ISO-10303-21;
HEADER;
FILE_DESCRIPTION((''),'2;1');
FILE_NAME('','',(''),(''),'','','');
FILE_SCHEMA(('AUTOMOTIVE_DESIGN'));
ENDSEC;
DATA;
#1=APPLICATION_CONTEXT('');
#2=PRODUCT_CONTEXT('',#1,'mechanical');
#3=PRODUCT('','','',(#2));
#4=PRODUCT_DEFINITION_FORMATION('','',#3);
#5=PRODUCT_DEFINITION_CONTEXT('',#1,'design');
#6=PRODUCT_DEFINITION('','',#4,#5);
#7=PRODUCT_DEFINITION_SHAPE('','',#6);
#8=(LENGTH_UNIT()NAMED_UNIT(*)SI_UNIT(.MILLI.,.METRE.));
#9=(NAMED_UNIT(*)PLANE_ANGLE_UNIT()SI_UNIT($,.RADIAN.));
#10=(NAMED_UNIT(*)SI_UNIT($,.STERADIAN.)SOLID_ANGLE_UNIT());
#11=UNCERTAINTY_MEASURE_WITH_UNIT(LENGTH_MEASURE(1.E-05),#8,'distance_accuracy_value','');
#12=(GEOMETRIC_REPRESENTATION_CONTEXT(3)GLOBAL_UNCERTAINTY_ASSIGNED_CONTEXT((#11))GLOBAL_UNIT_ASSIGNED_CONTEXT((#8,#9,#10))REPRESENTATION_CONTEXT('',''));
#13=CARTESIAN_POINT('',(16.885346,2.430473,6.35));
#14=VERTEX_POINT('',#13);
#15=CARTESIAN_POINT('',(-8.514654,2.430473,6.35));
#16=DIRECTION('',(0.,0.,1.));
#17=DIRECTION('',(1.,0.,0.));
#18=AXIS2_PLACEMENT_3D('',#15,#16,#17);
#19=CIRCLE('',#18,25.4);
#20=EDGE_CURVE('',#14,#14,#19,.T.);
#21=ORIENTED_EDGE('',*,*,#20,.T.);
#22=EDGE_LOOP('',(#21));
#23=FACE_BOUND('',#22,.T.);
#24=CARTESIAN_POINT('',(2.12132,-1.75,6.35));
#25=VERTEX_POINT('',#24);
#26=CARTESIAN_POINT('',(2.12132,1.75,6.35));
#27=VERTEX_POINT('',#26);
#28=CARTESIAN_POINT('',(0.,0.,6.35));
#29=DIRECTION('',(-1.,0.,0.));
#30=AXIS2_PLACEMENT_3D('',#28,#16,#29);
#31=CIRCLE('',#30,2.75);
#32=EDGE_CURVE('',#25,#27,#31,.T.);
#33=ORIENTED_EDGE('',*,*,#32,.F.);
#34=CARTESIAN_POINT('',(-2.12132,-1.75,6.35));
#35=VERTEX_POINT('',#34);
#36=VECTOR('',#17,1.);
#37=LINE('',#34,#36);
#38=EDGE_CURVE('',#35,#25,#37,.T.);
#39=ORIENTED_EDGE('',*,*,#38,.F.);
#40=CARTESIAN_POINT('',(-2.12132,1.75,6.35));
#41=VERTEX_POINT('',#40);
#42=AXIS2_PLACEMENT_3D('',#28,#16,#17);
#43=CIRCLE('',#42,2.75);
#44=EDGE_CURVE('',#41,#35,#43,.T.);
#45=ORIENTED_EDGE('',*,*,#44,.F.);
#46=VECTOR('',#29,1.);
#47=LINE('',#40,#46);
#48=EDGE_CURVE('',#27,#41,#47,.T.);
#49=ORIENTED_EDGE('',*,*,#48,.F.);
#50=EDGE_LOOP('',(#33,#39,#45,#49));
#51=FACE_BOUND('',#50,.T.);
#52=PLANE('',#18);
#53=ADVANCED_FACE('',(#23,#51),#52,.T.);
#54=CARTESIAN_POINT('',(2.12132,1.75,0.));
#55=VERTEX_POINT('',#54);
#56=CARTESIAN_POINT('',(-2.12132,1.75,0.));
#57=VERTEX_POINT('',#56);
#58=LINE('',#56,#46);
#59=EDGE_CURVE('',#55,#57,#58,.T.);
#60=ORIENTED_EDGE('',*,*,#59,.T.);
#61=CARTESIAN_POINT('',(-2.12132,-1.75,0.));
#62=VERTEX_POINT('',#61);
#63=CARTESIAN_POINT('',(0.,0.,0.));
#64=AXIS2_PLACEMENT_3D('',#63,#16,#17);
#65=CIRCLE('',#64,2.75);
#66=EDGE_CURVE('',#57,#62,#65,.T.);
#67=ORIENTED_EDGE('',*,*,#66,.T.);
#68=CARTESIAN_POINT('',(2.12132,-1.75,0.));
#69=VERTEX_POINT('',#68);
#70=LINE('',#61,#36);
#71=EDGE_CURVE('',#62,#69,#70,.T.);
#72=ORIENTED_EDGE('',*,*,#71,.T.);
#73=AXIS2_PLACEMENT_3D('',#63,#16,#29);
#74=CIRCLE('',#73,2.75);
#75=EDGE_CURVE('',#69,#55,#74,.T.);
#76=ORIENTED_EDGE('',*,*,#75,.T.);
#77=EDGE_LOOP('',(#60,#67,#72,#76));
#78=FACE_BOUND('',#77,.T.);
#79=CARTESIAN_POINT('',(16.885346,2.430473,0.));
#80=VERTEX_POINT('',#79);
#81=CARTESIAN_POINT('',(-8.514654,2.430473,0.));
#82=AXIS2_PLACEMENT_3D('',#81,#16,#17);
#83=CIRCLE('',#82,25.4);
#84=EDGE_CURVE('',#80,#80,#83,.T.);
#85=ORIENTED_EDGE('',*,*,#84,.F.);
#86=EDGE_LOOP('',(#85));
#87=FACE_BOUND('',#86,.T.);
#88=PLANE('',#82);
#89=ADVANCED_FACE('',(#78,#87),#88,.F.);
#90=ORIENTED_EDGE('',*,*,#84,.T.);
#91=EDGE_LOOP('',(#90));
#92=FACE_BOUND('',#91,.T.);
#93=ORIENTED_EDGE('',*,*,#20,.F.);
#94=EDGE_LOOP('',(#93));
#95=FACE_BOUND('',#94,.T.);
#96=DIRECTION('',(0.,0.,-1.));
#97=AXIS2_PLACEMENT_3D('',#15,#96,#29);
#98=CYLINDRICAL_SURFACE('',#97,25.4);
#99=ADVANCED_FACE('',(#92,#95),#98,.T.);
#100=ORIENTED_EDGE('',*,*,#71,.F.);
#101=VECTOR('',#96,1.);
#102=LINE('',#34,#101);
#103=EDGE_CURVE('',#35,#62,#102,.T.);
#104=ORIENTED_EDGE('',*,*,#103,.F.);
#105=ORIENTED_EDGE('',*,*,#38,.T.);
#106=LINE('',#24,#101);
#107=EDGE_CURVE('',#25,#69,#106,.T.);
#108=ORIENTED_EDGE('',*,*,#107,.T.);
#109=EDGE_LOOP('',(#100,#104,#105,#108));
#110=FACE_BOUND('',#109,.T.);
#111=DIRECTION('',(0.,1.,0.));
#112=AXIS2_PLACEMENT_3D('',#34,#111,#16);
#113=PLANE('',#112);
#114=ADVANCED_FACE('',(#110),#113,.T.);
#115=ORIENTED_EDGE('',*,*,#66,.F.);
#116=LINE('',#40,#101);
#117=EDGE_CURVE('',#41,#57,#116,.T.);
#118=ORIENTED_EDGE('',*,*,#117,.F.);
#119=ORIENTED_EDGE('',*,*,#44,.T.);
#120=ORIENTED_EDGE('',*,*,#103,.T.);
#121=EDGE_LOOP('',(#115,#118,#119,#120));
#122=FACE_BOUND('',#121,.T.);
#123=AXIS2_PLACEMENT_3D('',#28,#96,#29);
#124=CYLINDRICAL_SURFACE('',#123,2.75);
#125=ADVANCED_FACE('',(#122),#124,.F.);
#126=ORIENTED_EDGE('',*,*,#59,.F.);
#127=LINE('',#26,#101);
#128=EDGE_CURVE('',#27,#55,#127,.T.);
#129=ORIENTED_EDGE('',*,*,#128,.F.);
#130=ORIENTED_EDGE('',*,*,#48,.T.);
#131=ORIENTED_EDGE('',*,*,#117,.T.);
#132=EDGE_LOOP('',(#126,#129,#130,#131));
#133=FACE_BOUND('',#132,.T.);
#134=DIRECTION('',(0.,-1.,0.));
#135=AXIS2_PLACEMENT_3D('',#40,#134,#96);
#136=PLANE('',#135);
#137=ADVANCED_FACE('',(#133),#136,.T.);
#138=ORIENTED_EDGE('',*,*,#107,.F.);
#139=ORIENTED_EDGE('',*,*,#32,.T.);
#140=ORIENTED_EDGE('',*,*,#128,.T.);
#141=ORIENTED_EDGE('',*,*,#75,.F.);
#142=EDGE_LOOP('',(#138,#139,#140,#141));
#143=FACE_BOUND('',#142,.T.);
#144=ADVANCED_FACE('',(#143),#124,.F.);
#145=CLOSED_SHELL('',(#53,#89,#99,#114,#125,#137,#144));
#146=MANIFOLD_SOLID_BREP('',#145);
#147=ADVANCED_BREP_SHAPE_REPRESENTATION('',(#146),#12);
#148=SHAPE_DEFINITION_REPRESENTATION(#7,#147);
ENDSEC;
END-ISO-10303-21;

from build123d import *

# Parameters (mm, degrees)
SKETCH1_R           = 25.4
BOSS_EXTRUDE1_DEPTH = 6.35


with BuildPart() as part:
    # Sketch1 → Boss-Extrude1 (new body)
    with BuildSketch(Plane.XY):
        with Locations((-8.514653882, 2.430473335)):
            Circle(SKETCH1_R)
        with BuildLine():
            Line((-2.121320344, 1.75), (2.121320344, 1.75))
            ThreePointArc((2.121320344, 1.75), (2.75, 0), (2.121320344, -1.75))
            Line((2.121320344, -1.75), (-2.121320344, -1.75))
            ThreePointArc((-2.121320344, -1.75), (-2.75, 0), (-2.121320344, 1.75))
        make_face(mode=Mode.SUBTRACT)
    extrude(amount=BOSS_EXTRUDE1_DEPTH)


solid = part.part
